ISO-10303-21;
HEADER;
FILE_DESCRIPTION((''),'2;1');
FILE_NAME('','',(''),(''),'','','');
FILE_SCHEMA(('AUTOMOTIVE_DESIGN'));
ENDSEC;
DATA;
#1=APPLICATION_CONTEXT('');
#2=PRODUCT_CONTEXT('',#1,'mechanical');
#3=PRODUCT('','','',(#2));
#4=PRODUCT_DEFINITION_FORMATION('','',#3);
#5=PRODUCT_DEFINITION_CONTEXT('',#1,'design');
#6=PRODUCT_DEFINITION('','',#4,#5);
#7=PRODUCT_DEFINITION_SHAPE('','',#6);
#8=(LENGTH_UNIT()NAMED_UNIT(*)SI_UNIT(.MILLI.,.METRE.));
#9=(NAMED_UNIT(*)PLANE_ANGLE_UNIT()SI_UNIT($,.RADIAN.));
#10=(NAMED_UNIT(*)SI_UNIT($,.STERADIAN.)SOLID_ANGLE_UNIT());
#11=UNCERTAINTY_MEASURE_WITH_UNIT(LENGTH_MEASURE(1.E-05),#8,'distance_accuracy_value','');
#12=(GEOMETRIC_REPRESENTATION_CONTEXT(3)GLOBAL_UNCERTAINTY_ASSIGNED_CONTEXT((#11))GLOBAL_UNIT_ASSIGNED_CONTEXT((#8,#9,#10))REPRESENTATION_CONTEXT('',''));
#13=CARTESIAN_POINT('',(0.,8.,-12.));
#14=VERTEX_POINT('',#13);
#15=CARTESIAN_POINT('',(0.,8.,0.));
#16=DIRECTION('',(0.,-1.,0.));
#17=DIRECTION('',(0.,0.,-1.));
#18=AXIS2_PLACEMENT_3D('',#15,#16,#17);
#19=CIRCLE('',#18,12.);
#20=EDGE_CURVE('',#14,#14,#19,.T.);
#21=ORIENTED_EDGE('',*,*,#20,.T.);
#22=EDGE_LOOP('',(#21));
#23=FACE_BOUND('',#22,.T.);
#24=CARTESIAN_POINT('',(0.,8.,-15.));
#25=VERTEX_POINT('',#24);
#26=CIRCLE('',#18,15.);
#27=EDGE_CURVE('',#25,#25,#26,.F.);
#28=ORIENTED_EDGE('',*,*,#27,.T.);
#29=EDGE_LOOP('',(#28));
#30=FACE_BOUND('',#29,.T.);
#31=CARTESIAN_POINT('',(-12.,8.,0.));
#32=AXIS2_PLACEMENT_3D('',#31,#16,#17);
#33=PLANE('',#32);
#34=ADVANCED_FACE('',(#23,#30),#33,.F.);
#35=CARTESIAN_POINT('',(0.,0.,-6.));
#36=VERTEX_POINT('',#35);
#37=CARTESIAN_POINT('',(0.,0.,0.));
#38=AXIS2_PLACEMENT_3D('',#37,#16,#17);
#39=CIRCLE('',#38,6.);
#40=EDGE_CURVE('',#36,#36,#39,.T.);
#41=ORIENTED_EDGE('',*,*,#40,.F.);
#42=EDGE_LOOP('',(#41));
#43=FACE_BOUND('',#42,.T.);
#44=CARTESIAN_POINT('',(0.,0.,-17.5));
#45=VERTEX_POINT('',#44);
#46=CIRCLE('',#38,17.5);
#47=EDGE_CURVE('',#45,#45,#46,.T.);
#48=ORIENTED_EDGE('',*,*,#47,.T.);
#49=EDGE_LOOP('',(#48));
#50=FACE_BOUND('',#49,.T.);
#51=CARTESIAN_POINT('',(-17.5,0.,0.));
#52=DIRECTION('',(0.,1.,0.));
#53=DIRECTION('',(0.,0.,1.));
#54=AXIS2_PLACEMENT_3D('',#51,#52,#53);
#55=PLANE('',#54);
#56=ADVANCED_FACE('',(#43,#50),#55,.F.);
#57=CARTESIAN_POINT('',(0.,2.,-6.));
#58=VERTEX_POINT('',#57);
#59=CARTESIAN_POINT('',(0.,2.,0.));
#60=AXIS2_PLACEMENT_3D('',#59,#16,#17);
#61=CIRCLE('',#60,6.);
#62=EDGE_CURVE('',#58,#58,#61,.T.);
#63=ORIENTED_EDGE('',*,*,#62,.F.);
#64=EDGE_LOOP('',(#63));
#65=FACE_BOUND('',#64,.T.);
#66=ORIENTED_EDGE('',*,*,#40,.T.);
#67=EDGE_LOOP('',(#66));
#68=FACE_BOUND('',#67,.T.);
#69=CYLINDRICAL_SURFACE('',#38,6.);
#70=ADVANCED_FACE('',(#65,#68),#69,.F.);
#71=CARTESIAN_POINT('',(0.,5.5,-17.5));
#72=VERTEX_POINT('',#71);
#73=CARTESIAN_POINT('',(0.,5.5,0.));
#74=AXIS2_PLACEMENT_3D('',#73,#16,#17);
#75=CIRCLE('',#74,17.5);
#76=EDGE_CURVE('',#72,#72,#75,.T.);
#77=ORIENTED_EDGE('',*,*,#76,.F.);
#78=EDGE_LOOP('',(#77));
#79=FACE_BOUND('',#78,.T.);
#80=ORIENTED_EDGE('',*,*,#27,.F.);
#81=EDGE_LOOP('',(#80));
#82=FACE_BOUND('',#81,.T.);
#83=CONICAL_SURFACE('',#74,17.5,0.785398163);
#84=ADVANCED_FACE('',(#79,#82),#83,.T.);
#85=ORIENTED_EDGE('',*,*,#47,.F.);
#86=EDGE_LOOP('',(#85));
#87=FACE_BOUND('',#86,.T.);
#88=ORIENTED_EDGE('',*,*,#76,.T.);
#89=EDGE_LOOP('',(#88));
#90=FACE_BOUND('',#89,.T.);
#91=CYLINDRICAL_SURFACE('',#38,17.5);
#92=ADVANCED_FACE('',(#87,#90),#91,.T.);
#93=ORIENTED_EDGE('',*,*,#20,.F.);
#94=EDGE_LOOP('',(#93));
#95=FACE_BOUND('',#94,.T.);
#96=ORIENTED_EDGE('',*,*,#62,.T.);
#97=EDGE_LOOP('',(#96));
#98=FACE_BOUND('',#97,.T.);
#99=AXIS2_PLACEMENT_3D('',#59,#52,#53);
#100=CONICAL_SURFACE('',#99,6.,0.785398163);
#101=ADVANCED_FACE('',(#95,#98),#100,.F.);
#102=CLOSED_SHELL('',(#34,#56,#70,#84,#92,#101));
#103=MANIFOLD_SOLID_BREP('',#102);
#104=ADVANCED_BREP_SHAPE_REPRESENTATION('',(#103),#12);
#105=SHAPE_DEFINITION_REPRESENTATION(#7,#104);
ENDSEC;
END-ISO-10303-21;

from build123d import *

# Parameters (mm, degrees)
CHAMFER1_SIZE = 2.5


with BuildPart() as part:
    # Sketch1 → Revolve1 (revolve)
    with BuildSketch(Plane.XY, mode=Mode.PRIVATE) as revolve1_sk:
        Polygon((-6, 0), (-6, 2), (-12, 8), (-17.5, 8), (-17.5, 0), align=None)
    revolve(revolve1_sk.sketch.rotate(Axis((0, 0, 0), (0, 1, 0)), 270), axis=Axis((0, 0, 0), (0, 1, 0)))

    # Chamfer1
    chamfer1_edges = [part.edges().sort_by_distance(p)[0] for p in [
        (0, 8, 17.5),
    ]]
    chamfer(chamfer1_edges, length=CHAMFER1_SIZE)


solid = part.part
